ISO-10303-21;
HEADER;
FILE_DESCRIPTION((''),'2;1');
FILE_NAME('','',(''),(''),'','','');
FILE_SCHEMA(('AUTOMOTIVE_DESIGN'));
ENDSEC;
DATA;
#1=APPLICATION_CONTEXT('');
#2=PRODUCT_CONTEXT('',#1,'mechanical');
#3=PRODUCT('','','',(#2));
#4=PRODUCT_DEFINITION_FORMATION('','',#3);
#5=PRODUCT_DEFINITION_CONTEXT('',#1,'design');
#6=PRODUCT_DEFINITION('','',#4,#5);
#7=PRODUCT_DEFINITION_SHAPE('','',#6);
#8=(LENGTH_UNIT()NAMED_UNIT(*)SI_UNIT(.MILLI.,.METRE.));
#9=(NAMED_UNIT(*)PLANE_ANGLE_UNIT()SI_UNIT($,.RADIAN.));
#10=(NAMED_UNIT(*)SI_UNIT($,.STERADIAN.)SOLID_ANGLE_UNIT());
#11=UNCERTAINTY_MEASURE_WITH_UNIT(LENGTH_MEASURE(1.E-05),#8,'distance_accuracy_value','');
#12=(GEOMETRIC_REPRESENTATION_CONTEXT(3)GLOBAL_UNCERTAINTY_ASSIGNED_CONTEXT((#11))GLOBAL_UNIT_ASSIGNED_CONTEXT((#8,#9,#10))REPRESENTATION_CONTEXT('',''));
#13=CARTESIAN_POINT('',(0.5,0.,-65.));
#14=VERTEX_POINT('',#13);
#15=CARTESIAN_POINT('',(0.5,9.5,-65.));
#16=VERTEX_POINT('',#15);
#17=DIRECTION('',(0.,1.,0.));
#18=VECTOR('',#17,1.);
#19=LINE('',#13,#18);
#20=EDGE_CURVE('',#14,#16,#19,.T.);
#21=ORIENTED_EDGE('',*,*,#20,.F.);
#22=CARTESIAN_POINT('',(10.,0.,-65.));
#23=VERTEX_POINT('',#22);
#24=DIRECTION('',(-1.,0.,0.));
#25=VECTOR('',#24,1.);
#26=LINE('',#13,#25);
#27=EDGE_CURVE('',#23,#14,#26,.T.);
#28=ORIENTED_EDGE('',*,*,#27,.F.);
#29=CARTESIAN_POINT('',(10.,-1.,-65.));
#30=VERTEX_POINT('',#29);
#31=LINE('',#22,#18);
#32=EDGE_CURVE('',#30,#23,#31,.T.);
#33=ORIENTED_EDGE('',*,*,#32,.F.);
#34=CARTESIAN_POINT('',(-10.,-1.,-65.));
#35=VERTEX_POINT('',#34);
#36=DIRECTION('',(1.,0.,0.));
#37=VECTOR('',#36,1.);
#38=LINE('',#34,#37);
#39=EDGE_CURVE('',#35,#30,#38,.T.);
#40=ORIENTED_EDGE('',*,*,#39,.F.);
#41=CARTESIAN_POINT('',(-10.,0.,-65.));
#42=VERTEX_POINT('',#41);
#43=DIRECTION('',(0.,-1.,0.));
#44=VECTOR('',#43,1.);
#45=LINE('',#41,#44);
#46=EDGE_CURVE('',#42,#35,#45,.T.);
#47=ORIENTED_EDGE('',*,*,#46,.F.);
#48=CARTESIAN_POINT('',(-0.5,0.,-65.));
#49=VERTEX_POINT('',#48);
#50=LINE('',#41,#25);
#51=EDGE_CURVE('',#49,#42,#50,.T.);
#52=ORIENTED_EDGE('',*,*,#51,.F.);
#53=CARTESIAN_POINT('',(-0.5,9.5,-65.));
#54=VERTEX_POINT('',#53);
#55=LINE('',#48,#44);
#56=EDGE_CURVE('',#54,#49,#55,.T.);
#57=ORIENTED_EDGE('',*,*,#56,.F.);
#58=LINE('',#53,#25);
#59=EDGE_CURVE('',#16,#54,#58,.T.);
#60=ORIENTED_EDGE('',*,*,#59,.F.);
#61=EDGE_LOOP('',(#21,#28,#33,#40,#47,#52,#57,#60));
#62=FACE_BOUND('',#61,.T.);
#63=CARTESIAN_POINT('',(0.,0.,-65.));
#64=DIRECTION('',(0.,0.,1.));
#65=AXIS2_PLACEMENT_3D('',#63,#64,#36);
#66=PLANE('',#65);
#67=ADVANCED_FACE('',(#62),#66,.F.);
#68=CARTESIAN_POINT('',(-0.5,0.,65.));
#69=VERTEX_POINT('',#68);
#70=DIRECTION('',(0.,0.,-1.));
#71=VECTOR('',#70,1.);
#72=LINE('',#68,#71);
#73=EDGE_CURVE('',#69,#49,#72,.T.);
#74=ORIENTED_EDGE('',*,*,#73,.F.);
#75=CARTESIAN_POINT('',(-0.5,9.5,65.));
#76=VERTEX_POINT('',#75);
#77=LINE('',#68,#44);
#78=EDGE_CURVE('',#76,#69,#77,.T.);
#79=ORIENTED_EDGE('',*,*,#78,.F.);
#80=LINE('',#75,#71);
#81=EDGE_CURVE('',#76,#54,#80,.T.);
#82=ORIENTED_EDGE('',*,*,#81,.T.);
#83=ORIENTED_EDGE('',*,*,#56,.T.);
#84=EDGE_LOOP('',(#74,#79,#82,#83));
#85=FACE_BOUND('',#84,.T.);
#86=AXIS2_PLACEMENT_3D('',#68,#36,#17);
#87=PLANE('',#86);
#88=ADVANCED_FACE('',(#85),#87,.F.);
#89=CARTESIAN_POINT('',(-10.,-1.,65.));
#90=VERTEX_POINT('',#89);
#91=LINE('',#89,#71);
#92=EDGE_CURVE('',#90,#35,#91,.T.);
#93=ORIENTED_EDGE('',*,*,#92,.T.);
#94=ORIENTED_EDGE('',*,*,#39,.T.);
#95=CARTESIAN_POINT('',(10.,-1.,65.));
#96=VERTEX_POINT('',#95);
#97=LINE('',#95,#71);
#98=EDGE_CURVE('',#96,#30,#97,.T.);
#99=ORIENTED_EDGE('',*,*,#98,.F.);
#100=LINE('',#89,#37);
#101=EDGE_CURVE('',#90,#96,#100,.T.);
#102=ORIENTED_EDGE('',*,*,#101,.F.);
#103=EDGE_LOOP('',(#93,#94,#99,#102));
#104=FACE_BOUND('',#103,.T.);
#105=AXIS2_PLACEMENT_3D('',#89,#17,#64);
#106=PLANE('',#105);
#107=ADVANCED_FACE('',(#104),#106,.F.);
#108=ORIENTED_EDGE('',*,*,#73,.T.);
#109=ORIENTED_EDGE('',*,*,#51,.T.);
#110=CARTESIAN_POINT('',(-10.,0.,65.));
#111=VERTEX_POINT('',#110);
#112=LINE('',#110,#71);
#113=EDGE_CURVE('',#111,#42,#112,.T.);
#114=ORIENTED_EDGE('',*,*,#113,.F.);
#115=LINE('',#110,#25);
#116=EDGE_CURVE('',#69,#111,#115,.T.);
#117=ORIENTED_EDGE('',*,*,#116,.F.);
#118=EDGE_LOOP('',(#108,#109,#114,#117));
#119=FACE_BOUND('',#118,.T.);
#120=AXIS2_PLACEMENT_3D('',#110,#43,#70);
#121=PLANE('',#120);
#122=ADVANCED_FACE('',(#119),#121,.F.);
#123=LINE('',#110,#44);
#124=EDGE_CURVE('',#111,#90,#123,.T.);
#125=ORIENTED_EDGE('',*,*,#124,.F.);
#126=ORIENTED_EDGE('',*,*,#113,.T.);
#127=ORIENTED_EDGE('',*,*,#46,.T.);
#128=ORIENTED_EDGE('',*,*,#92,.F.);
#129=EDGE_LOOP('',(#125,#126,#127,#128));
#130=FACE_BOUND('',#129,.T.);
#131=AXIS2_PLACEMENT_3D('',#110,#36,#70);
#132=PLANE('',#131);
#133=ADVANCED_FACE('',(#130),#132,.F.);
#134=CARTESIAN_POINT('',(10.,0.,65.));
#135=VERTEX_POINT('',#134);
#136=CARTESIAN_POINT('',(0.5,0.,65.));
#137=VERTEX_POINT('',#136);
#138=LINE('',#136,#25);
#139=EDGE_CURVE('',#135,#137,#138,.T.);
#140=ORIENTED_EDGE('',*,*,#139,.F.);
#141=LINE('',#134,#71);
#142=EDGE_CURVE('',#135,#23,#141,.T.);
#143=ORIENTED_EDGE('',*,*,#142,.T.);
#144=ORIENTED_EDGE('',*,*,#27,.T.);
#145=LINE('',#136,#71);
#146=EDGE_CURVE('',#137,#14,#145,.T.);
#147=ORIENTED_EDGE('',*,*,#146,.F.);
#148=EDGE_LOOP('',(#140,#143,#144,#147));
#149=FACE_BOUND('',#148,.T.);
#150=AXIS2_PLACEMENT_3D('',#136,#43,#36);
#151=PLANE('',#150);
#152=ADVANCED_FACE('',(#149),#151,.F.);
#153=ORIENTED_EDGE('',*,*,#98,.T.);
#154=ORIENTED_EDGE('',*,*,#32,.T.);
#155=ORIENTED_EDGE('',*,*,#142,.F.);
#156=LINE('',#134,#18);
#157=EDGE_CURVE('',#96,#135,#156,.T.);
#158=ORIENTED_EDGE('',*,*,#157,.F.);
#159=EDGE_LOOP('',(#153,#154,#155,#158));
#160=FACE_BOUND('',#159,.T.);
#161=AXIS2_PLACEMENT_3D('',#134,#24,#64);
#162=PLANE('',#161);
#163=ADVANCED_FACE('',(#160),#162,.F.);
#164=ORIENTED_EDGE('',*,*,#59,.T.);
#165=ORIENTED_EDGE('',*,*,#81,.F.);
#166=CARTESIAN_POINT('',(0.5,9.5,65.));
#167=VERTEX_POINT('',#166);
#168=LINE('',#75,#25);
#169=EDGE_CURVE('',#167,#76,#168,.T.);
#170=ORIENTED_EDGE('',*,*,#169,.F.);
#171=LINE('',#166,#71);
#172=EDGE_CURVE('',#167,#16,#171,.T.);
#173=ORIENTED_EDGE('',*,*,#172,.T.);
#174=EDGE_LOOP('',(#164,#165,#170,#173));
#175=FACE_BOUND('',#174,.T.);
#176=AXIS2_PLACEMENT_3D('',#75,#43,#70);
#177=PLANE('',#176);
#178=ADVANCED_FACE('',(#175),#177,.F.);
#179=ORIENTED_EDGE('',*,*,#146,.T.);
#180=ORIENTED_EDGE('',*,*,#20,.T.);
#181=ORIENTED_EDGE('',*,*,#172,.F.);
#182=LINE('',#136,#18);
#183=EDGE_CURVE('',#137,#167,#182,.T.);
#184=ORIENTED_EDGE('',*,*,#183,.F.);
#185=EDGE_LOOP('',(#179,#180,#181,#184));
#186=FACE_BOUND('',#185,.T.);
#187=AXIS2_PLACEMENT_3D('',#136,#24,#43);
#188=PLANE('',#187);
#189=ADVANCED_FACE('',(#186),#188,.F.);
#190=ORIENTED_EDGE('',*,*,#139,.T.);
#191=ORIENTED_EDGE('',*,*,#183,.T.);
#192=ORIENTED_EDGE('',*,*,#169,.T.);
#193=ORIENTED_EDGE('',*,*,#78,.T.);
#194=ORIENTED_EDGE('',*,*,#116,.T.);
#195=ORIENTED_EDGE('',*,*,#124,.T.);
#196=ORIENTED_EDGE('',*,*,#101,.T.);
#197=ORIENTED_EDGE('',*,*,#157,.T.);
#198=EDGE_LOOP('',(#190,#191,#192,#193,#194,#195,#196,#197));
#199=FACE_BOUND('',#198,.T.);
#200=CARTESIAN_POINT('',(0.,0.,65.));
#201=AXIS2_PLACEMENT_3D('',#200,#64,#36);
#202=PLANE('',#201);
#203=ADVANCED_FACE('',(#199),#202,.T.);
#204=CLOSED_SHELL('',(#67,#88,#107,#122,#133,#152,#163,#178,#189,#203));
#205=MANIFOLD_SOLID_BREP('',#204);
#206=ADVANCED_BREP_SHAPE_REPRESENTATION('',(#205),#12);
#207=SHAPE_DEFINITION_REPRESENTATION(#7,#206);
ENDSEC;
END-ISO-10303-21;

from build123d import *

# Parameters (mm, degrees)
SALIENTE_EXTRUIR1_DEPTH = 65


with BuildPart() as part:
    # Croquis1 → Saliente-Extruir1 (new body, symmetric)
    with BuildSketch(Plane.XY):
        Polygon((-10, 0), (-0.5, 0), (-0.5, 9.5), (0.5, 9.5), (0.5, 0), (10, 0), (10, -1), (-10, -1), align=None)
    extrude(amount=SALIENTE_EXTRUIR1_DEPTH, both=True)


solid = part.part
